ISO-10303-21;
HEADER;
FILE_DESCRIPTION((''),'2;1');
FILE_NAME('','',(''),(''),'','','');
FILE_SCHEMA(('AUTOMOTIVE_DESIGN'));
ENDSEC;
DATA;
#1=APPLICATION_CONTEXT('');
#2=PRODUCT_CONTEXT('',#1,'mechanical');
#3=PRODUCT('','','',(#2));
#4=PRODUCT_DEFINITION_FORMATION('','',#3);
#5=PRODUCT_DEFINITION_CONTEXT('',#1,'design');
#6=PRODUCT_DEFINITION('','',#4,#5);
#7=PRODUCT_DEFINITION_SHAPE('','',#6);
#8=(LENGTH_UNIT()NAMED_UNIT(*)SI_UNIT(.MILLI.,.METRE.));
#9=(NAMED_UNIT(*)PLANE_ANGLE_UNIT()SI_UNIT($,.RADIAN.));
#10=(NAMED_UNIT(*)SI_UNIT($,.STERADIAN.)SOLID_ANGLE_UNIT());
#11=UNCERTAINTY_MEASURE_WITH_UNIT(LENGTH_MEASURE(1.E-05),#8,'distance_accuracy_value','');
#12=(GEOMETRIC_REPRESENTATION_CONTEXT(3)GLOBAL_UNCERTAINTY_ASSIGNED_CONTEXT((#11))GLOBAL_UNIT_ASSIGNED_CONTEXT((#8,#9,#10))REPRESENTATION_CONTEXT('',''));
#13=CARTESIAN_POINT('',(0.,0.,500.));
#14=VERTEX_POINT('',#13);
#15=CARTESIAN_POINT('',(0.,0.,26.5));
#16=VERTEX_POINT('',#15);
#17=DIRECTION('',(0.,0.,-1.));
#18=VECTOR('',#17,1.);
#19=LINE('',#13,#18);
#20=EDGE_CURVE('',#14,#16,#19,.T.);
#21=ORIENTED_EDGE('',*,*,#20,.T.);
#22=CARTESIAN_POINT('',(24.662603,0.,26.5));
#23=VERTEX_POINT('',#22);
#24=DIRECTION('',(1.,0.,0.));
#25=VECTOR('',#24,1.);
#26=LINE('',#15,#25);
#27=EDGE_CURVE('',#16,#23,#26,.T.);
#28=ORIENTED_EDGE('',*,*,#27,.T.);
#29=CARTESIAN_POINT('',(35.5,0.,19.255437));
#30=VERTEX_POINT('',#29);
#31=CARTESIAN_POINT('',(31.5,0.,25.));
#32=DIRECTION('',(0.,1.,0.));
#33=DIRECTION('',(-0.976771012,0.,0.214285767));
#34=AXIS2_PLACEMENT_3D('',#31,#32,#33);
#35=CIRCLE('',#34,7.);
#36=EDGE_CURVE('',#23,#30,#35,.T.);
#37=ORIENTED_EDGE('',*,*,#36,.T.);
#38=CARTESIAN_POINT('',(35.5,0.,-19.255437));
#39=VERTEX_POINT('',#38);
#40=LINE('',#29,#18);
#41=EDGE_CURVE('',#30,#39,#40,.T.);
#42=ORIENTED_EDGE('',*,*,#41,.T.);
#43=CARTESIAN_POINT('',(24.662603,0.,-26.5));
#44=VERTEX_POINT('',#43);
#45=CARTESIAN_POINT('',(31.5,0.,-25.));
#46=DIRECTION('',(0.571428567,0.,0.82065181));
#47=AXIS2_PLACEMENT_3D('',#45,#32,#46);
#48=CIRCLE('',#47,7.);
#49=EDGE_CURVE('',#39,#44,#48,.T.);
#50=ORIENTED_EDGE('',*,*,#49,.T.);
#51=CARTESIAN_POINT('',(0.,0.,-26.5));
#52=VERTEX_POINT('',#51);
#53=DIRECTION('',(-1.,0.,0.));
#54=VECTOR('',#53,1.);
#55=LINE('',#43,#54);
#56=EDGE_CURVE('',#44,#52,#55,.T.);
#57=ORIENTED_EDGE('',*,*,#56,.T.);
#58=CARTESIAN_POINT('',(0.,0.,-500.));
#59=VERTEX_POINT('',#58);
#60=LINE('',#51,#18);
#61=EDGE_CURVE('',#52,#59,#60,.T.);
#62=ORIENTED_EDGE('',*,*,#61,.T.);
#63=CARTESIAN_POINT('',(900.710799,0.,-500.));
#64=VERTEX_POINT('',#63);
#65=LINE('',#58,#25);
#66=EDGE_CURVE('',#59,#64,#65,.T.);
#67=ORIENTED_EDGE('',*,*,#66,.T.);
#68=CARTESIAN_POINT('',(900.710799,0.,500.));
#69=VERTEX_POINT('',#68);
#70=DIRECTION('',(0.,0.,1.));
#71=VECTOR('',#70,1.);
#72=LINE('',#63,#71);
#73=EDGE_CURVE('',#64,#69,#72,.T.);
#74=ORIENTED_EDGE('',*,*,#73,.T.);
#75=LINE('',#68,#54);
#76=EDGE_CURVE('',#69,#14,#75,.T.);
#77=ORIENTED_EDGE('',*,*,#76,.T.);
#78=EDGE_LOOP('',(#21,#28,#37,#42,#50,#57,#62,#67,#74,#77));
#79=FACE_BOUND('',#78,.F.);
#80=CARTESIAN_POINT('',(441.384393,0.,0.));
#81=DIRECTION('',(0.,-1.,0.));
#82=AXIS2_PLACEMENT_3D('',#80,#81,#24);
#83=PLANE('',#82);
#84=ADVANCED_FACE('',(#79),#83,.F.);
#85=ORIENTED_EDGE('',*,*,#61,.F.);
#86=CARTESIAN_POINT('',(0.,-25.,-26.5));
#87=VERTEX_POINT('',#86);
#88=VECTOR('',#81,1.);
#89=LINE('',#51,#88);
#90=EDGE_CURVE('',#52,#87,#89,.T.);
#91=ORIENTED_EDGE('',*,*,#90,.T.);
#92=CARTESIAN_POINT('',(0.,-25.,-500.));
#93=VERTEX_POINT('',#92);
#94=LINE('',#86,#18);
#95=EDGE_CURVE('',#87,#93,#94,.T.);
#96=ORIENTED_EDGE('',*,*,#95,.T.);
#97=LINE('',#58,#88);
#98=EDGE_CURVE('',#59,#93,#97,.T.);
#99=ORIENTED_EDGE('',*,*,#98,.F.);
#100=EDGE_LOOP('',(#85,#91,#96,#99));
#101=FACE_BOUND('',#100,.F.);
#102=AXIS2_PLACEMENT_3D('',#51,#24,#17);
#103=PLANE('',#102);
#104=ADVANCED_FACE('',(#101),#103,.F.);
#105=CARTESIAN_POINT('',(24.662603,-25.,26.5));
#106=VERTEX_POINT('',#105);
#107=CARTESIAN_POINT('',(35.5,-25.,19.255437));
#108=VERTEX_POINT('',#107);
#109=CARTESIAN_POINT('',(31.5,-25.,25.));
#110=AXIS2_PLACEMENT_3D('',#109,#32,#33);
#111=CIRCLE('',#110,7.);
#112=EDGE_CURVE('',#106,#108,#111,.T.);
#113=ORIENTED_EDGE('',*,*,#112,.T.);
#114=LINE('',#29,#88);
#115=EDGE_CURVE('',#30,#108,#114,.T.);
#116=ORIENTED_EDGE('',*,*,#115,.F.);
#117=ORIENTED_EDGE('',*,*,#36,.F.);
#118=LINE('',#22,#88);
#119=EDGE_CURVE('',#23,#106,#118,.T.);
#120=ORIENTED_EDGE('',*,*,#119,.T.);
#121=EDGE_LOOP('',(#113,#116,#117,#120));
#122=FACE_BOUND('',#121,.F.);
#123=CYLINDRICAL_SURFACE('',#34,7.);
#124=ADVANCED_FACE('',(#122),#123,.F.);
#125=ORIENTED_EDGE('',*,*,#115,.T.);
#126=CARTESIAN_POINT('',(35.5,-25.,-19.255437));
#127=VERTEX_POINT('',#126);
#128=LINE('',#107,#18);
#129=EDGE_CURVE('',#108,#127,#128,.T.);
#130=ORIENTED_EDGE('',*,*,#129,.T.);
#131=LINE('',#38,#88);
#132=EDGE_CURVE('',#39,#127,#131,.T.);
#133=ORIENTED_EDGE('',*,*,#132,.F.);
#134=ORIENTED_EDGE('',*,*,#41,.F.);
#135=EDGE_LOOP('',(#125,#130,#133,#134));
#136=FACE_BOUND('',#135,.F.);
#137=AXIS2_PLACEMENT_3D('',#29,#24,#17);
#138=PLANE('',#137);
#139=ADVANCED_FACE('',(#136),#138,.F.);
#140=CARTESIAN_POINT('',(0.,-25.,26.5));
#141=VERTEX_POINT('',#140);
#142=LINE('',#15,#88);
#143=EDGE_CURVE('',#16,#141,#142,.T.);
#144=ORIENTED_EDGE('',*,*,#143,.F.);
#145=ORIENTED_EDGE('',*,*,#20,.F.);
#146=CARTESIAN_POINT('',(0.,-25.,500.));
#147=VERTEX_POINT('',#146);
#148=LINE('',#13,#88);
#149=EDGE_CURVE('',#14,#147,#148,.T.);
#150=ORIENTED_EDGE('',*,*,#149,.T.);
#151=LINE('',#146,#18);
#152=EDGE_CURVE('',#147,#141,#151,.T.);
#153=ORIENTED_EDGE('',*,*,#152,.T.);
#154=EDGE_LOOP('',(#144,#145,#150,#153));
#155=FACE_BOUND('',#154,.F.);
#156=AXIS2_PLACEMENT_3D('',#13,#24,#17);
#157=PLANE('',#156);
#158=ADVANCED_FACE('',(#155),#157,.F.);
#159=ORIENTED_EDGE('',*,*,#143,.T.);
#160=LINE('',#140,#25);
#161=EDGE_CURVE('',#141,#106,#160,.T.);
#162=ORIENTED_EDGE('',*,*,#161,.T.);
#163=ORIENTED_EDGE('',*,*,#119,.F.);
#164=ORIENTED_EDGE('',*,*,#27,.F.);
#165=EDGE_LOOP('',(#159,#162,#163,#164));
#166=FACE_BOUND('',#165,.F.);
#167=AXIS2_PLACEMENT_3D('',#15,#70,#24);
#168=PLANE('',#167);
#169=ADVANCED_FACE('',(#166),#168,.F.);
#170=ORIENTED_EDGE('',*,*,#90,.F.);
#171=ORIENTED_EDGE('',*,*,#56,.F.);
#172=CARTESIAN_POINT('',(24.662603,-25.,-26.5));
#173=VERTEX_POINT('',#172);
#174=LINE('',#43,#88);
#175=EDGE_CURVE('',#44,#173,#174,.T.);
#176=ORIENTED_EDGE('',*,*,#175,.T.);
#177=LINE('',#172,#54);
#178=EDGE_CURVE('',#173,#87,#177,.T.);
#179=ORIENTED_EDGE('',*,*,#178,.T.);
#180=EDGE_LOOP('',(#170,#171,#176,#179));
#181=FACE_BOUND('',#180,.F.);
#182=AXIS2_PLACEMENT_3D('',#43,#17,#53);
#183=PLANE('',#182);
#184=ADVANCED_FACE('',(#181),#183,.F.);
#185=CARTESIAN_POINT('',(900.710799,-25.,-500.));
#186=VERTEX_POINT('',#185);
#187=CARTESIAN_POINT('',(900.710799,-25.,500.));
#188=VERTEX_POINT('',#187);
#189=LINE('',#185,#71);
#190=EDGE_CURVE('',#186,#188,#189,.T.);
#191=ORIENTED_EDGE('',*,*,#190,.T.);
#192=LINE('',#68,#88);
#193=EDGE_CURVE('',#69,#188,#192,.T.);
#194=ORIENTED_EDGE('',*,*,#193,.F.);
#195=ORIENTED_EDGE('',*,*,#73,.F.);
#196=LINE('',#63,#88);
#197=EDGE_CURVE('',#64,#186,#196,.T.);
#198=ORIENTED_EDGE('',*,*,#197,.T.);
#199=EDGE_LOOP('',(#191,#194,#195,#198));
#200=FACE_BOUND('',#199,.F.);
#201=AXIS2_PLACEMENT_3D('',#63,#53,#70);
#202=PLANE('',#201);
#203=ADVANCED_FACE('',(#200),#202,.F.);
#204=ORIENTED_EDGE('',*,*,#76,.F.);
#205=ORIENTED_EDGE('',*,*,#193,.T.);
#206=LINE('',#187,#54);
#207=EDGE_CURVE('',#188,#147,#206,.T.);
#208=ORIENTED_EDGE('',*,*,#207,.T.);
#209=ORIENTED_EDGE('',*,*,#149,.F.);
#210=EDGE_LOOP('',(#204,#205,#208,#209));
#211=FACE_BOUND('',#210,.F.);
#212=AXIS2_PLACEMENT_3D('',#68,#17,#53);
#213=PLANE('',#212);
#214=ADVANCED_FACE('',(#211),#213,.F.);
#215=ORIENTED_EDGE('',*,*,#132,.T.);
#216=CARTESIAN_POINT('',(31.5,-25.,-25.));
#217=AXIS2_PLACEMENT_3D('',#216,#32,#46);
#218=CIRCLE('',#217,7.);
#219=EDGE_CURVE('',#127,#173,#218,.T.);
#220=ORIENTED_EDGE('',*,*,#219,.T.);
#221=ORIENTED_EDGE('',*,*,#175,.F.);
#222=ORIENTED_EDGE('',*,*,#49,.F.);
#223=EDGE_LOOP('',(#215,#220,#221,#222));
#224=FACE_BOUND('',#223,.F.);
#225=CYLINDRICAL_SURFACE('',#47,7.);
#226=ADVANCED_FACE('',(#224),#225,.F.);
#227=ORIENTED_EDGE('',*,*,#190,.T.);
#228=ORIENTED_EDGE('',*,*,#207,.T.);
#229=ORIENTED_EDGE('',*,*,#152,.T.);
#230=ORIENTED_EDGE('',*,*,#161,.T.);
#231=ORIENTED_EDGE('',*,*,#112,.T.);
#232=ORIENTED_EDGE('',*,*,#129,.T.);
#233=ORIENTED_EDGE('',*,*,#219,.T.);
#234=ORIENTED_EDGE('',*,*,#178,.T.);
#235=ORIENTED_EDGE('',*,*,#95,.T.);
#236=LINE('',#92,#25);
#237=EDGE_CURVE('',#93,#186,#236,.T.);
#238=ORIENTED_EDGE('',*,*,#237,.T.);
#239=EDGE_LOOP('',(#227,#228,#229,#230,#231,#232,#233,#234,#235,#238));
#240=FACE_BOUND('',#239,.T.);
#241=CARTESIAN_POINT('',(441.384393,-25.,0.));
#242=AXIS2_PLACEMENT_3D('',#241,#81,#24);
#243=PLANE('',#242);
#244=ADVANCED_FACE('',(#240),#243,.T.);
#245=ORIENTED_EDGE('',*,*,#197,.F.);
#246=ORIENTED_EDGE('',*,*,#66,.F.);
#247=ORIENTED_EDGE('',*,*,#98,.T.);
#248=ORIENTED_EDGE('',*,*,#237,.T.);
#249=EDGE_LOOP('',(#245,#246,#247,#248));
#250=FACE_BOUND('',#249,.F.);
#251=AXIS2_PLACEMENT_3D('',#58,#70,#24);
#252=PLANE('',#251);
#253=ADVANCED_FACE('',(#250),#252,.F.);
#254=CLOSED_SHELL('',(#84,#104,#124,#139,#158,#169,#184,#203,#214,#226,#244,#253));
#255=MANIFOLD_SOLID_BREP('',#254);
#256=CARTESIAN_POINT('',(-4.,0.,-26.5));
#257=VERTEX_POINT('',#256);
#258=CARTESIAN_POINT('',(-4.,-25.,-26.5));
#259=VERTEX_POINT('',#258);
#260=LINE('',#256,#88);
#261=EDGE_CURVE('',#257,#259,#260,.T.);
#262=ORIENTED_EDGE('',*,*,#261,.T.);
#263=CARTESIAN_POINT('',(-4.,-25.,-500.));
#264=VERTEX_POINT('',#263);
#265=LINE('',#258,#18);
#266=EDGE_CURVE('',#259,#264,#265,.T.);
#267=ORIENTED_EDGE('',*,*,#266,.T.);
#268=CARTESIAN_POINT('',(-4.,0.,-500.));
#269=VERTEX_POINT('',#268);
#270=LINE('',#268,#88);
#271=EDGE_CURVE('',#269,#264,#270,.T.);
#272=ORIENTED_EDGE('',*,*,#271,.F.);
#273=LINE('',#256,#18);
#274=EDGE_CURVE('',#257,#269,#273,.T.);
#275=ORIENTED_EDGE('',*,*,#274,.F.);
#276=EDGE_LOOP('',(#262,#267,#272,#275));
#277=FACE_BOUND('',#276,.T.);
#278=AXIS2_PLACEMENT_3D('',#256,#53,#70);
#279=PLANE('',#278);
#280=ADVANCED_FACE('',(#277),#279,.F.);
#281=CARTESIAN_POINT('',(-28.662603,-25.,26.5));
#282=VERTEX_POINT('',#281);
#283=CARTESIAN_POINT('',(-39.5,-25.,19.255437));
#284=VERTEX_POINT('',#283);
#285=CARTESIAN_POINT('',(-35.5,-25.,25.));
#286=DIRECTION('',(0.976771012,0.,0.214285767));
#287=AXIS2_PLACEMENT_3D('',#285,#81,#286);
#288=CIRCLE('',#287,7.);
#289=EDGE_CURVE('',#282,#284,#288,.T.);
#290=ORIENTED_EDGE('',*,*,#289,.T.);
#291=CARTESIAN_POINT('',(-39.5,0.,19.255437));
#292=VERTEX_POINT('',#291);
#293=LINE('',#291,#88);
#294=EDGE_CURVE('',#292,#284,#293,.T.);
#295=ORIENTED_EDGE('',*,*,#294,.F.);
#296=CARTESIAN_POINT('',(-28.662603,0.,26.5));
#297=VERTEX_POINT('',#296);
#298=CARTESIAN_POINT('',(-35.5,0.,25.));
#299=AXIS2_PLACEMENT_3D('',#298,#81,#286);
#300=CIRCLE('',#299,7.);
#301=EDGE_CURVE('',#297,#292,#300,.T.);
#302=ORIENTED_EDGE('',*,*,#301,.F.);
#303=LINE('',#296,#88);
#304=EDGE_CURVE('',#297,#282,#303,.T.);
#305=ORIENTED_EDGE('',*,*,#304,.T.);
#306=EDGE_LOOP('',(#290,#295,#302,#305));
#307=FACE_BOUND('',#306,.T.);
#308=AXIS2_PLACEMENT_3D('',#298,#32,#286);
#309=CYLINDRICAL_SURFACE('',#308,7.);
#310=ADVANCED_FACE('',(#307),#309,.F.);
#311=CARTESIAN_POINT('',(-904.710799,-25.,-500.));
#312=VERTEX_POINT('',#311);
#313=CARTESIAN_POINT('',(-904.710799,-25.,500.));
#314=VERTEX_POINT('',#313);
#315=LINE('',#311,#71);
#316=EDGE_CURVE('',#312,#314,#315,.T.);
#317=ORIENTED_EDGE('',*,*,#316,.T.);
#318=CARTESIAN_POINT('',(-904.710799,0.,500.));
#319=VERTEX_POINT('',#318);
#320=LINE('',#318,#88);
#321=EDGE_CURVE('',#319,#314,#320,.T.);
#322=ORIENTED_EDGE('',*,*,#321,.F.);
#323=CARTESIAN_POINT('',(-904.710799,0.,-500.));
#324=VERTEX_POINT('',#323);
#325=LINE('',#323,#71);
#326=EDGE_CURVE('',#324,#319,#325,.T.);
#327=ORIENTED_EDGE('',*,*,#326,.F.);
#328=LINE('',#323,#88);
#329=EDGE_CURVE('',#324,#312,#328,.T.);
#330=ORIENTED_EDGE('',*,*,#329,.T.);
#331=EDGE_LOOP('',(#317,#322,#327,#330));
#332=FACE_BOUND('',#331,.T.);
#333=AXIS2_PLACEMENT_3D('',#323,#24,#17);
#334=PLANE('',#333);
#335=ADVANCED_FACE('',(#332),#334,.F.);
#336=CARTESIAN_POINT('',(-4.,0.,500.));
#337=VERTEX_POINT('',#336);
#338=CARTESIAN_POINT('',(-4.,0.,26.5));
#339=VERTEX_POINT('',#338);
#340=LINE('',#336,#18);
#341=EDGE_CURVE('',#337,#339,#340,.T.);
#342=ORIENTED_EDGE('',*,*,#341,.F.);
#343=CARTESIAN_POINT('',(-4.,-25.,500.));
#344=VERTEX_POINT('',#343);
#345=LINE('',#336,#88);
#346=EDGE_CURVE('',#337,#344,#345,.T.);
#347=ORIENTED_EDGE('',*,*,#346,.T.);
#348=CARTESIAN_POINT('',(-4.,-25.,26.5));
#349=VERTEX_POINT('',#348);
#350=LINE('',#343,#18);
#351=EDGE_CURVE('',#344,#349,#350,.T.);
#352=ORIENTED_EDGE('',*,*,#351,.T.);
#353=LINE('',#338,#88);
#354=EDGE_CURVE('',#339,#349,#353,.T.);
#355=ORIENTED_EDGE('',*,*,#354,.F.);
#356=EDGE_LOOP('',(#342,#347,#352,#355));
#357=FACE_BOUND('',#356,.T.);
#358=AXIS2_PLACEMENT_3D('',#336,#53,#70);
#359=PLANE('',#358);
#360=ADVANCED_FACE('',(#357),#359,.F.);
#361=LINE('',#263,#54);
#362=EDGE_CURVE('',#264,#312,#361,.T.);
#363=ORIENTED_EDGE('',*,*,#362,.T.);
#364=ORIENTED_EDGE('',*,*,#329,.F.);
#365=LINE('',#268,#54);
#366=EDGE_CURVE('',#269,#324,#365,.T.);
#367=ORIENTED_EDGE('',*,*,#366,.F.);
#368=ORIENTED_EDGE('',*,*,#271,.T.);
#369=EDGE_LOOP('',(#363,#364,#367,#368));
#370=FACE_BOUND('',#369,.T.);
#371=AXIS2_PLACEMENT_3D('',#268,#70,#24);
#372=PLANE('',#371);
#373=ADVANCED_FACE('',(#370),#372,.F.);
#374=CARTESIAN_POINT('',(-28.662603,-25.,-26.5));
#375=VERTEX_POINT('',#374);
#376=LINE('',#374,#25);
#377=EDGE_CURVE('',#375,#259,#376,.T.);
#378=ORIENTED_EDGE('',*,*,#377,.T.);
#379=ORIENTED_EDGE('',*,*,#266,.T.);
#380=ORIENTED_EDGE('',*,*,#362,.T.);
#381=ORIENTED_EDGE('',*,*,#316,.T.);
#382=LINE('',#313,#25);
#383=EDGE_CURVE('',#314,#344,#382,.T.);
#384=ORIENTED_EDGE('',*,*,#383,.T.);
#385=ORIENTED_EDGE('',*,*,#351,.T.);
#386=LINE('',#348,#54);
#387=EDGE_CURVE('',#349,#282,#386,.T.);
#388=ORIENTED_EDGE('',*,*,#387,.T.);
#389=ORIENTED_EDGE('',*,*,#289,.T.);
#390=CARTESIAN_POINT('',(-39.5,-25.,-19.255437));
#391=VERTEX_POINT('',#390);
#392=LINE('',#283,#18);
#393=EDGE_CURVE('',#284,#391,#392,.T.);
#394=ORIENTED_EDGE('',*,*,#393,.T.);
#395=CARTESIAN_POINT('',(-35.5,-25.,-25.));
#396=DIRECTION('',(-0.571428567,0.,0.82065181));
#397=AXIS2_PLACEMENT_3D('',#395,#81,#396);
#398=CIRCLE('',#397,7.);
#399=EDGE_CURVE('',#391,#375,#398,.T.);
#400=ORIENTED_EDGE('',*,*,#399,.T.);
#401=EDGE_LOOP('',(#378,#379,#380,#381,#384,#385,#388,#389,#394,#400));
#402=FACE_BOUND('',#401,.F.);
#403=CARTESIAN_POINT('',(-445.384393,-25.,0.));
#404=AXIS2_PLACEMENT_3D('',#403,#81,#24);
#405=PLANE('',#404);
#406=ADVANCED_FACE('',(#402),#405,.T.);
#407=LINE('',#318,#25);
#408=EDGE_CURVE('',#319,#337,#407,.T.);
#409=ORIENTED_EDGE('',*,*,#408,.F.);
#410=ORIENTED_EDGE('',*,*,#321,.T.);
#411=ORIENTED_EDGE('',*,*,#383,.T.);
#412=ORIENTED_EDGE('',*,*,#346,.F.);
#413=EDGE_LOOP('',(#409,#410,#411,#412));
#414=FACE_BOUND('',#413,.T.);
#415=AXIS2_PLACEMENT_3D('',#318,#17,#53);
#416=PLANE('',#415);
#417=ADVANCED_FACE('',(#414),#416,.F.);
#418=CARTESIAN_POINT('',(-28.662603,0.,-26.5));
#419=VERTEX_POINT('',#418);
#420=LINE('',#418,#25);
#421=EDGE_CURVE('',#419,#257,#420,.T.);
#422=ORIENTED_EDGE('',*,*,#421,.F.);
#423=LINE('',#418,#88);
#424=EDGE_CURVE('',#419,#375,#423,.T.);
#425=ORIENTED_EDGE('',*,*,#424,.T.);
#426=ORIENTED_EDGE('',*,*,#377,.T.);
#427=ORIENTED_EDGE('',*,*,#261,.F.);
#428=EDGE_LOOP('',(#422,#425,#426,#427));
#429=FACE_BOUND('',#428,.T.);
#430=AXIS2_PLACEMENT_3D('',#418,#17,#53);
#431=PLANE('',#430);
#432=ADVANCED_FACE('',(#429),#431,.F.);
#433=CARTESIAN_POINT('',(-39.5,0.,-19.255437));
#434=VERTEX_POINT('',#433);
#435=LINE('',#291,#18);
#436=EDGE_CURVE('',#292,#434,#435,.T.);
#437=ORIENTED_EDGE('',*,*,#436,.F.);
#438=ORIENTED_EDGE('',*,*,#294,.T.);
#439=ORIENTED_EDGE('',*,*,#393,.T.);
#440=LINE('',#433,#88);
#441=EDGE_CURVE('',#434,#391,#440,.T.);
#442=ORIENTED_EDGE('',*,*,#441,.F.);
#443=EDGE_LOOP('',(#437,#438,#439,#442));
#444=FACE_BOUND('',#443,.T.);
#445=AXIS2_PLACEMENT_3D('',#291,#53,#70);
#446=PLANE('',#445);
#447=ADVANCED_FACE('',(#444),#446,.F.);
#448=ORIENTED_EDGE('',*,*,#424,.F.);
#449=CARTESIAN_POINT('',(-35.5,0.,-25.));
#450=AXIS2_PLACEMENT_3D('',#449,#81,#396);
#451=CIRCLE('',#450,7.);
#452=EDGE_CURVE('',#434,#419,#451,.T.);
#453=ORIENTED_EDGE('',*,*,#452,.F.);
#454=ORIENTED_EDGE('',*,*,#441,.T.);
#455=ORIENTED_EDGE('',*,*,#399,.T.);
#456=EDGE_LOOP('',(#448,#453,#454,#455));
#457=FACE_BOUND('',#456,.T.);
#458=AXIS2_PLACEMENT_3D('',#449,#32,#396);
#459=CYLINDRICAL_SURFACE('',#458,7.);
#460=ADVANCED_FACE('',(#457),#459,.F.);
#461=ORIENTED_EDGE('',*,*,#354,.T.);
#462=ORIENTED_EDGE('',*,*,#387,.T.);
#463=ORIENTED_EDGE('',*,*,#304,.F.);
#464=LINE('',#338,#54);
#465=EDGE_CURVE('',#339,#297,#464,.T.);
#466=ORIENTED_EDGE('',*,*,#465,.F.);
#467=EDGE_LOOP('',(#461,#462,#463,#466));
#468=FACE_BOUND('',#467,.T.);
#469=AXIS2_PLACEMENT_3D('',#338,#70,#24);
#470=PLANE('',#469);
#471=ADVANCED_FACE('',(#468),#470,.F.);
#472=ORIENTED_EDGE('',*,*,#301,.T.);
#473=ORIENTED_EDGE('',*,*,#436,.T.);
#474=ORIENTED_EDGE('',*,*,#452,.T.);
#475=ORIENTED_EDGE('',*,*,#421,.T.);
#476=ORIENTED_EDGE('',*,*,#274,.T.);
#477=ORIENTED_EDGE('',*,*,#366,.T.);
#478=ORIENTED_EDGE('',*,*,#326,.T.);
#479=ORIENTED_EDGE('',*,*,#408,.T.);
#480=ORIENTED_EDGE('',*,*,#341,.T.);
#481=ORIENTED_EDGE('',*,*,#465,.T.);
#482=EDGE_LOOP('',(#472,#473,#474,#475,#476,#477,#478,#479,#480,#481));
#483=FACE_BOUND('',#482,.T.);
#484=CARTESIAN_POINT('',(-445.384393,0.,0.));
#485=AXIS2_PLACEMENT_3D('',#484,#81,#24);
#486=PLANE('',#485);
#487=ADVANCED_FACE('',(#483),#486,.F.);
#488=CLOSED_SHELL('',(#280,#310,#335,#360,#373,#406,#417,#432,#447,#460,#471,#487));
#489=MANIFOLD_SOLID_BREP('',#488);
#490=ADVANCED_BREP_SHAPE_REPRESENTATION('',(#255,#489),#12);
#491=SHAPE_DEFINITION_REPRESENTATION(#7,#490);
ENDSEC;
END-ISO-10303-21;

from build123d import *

# Parameters (mm, degrees)
F1_DEPTH = 25


with BuildPart() as f1:
    # F0 (on Front) → F1 (new body)
    with BuildSketch(Plane.XZ):
        with BuildLine():
            Line((900.710799, 500), (0, 500))
            Line((0, 500), (0, 26.5))
            Line((0, 26.5), (24.662603, 26.5))
            ThreePointArc((24.662603, 26.5), (35.390196, 30.819482), (35.5, 19.255437))
            Line((35.5, 19.255437), (35.5, -19.255437))
            ThreePointArc((35.5, -19.255437), (35.390196, -30.819482), (24.662603, -26.5))
            Line((24.662603, -26.5), (0, -26.5))
            Line((0, -26.5), (0, -500))
            Line((0, -500), (900.710799, -500))
            Line((900.710799, -500), (900.710799, 500))
        make_face()
    extrude(amount=F1_DEPTH)


with BuildPart() as f3_1:
    # F3: instance of F1
    add(f1.part.mirror(Plane(origin=(-2, -12.5, 263.25), x_dir=(0, -1, 0), z_dir=(-1, 0, 0))))


solid = Compound([f1.part, f3_1.part])
